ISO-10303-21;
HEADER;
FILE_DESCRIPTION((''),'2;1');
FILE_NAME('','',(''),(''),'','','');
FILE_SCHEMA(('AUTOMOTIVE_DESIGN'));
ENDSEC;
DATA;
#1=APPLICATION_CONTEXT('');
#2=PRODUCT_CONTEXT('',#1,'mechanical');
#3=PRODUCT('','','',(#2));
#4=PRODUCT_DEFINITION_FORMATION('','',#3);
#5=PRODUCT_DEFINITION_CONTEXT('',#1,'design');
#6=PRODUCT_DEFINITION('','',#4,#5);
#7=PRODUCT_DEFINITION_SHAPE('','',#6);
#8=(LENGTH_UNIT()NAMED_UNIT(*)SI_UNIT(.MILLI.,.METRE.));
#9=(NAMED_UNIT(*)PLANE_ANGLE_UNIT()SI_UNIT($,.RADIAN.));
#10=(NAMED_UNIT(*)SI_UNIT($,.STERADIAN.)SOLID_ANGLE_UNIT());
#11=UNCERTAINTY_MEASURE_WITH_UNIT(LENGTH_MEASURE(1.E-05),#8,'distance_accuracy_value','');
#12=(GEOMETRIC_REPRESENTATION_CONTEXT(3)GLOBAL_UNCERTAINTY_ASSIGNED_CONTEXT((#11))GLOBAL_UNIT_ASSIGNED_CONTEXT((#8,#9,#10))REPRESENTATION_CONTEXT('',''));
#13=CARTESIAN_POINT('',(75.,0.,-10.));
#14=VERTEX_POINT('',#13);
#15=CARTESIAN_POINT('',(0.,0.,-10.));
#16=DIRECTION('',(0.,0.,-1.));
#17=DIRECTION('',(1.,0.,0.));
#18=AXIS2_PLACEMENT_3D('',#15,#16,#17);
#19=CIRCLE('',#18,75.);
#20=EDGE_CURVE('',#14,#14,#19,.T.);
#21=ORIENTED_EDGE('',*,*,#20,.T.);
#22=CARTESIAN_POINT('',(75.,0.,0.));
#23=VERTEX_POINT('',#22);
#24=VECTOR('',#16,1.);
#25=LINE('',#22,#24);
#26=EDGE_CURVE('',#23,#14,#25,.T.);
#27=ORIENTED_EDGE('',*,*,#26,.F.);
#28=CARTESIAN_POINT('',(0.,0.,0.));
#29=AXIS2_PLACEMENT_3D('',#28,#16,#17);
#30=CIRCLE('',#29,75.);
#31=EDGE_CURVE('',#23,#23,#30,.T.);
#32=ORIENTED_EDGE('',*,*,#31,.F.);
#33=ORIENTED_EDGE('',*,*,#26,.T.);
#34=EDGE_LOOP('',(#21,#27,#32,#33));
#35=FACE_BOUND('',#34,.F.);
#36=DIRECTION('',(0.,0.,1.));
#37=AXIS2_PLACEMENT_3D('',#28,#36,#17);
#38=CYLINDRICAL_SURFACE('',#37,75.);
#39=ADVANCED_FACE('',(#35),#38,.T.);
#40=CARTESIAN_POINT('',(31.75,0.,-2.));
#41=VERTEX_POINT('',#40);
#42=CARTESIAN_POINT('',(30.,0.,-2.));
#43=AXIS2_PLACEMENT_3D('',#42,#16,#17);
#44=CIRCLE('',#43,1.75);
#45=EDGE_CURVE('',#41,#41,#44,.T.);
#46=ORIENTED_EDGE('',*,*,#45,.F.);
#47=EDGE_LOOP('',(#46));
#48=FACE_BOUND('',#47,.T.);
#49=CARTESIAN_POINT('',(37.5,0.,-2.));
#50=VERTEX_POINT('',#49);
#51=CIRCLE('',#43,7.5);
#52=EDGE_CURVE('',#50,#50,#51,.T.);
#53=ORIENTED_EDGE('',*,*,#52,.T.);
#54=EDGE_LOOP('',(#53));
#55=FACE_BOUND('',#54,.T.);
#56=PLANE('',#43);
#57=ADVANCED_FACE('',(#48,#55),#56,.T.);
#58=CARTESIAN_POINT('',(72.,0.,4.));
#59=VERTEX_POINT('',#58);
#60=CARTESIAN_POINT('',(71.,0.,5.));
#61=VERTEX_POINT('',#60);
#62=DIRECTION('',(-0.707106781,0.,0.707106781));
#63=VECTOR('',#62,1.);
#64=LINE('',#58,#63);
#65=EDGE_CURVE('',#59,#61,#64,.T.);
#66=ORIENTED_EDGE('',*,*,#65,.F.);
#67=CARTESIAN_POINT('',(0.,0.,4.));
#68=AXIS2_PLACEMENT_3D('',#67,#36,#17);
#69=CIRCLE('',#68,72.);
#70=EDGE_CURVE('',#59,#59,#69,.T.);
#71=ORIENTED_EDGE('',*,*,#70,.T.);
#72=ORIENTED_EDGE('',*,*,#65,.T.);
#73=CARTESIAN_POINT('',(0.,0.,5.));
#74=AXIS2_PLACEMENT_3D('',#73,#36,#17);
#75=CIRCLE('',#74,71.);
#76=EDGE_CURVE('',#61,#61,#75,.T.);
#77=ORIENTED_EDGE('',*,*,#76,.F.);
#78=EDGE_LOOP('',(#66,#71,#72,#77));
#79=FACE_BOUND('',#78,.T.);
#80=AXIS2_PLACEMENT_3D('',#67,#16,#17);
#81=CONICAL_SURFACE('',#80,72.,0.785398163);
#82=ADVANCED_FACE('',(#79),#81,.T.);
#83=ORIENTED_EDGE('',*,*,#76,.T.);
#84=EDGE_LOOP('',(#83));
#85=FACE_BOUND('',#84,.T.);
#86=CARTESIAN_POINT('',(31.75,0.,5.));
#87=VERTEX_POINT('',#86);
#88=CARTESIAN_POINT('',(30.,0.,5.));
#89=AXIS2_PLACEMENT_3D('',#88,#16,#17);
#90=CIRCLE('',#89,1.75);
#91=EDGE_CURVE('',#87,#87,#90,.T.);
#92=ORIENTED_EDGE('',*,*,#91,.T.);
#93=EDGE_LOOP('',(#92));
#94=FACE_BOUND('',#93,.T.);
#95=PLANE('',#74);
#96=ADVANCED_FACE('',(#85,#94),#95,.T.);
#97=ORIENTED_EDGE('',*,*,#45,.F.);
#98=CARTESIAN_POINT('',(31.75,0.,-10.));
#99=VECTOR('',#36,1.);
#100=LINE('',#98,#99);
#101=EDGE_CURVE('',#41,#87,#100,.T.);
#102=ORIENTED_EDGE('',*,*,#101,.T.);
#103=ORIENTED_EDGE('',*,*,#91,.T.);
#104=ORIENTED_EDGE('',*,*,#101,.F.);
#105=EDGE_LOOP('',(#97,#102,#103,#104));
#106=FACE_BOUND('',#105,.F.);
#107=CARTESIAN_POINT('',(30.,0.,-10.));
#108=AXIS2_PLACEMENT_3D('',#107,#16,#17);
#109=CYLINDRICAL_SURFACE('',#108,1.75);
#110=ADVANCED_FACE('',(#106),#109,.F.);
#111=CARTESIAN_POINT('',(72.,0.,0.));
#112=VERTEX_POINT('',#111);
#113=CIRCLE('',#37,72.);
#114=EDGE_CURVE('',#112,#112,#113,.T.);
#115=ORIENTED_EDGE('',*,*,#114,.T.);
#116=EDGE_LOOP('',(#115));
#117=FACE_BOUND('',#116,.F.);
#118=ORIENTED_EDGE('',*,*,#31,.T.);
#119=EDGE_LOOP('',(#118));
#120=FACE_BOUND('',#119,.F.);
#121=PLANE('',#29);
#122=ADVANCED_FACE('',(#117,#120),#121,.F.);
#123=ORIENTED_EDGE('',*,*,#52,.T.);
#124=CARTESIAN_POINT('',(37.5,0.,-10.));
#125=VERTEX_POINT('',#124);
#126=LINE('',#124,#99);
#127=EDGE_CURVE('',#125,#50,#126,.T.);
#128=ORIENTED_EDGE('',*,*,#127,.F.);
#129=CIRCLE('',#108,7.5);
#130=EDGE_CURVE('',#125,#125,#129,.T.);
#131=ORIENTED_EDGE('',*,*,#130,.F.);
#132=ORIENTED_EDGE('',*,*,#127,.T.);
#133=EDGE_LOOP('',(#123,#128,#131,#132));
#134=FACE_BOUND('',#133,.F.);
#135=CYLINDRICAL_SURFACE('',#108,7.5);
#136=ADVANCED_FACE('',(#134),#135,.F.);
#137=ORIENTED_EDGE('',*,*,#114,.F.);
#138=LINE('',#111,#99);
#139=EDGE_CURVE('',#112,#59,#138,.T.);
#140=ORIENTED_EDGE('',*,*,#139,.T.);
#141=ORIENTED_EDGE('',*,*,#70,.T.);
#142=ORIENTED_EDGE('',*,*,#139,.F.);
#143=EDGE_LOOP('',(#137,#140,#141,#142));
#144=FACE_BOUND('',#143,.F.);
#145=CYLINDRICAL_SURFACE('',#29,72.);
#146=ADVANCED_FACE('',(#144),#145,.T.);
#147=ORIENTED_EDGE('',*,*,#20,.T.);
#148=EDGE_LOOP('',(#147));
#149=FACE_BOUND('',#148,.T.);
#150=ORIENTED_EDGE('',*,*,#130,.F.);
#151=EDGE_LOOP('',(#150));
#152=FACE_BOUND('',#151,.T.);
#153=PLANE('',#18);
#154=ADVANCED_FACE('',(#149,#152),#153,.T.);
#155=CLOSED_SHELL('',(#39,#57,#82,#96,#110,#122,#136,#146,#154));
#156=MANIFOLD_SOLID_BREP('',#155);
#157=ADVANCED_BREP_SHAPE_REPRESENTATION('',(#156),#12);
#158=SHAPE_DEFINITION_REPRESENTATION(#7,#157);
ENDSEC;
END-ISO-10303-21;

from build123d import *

# Parameters (mm, degrees)
SKETCH_R        = 72
PAD_DEPTH       = 5
SKETCH001_R     = 75
PAD001_DEPTH    = 10
CHAMFER_SIZE    = 1
SKETCH002_R     = 1.75
POCKET_DEPTH    = 15.001
SKETCH003_R     = 7.5
POCKET001_DEPTH = 8


with BuildPart() as part:
    # Sketch → Pad (new body)
    with BuildSketch(Plane.XY):
        Circle(SKETCH_R)
    extrude(amount=PAD_DEPTH)

    # Sketch001 (on Face2 of Pad) → Pad001 (join)
    with BuildSketch(Plane(origin=(0, 0, 0), x_dir=(1, 0, 0), z_dir=(0, 0, -1))):
        Circle(SKETCH001_R)
    extrude(amount=PAD001_DEPTH)

    # Chamfer
    chamfer_edges = [part.edges().sort_by_distance(p)[0] for p in [
        (-72, 0, 5),
    ]]
    chamfer(chamfer_edges, length=CHAMFER_SIZE)

    # Sketch002 (on Face6 of Chamfer) → Pocket (cut, through all)
    with BuildSketch(Plane(origin=(0, 0, -10), x_dir=(1, 0, 0), z_dir=(0, 0, -1))):
        with Locations((30, 0)):
            Circle(SKETCH002_R)
    extrude(amount=-POCKET_DEPTH, mode=Mode.SUBTRACT)

    # Sketch003 (on Face7 of Pocket) → Pocket001 (cut)
    with BuildSketch(Plane(origin=(0, 0, -10), x_dir=(1, 0, 0), z_dir=(0, 0, -1))):
        with Locations((30, 0)):
            Circle(SKETCH003_R)
    extrude(amount=-POCKET001_DEPTH, mode=Mode.SUBTRACT)


solid = part.part
